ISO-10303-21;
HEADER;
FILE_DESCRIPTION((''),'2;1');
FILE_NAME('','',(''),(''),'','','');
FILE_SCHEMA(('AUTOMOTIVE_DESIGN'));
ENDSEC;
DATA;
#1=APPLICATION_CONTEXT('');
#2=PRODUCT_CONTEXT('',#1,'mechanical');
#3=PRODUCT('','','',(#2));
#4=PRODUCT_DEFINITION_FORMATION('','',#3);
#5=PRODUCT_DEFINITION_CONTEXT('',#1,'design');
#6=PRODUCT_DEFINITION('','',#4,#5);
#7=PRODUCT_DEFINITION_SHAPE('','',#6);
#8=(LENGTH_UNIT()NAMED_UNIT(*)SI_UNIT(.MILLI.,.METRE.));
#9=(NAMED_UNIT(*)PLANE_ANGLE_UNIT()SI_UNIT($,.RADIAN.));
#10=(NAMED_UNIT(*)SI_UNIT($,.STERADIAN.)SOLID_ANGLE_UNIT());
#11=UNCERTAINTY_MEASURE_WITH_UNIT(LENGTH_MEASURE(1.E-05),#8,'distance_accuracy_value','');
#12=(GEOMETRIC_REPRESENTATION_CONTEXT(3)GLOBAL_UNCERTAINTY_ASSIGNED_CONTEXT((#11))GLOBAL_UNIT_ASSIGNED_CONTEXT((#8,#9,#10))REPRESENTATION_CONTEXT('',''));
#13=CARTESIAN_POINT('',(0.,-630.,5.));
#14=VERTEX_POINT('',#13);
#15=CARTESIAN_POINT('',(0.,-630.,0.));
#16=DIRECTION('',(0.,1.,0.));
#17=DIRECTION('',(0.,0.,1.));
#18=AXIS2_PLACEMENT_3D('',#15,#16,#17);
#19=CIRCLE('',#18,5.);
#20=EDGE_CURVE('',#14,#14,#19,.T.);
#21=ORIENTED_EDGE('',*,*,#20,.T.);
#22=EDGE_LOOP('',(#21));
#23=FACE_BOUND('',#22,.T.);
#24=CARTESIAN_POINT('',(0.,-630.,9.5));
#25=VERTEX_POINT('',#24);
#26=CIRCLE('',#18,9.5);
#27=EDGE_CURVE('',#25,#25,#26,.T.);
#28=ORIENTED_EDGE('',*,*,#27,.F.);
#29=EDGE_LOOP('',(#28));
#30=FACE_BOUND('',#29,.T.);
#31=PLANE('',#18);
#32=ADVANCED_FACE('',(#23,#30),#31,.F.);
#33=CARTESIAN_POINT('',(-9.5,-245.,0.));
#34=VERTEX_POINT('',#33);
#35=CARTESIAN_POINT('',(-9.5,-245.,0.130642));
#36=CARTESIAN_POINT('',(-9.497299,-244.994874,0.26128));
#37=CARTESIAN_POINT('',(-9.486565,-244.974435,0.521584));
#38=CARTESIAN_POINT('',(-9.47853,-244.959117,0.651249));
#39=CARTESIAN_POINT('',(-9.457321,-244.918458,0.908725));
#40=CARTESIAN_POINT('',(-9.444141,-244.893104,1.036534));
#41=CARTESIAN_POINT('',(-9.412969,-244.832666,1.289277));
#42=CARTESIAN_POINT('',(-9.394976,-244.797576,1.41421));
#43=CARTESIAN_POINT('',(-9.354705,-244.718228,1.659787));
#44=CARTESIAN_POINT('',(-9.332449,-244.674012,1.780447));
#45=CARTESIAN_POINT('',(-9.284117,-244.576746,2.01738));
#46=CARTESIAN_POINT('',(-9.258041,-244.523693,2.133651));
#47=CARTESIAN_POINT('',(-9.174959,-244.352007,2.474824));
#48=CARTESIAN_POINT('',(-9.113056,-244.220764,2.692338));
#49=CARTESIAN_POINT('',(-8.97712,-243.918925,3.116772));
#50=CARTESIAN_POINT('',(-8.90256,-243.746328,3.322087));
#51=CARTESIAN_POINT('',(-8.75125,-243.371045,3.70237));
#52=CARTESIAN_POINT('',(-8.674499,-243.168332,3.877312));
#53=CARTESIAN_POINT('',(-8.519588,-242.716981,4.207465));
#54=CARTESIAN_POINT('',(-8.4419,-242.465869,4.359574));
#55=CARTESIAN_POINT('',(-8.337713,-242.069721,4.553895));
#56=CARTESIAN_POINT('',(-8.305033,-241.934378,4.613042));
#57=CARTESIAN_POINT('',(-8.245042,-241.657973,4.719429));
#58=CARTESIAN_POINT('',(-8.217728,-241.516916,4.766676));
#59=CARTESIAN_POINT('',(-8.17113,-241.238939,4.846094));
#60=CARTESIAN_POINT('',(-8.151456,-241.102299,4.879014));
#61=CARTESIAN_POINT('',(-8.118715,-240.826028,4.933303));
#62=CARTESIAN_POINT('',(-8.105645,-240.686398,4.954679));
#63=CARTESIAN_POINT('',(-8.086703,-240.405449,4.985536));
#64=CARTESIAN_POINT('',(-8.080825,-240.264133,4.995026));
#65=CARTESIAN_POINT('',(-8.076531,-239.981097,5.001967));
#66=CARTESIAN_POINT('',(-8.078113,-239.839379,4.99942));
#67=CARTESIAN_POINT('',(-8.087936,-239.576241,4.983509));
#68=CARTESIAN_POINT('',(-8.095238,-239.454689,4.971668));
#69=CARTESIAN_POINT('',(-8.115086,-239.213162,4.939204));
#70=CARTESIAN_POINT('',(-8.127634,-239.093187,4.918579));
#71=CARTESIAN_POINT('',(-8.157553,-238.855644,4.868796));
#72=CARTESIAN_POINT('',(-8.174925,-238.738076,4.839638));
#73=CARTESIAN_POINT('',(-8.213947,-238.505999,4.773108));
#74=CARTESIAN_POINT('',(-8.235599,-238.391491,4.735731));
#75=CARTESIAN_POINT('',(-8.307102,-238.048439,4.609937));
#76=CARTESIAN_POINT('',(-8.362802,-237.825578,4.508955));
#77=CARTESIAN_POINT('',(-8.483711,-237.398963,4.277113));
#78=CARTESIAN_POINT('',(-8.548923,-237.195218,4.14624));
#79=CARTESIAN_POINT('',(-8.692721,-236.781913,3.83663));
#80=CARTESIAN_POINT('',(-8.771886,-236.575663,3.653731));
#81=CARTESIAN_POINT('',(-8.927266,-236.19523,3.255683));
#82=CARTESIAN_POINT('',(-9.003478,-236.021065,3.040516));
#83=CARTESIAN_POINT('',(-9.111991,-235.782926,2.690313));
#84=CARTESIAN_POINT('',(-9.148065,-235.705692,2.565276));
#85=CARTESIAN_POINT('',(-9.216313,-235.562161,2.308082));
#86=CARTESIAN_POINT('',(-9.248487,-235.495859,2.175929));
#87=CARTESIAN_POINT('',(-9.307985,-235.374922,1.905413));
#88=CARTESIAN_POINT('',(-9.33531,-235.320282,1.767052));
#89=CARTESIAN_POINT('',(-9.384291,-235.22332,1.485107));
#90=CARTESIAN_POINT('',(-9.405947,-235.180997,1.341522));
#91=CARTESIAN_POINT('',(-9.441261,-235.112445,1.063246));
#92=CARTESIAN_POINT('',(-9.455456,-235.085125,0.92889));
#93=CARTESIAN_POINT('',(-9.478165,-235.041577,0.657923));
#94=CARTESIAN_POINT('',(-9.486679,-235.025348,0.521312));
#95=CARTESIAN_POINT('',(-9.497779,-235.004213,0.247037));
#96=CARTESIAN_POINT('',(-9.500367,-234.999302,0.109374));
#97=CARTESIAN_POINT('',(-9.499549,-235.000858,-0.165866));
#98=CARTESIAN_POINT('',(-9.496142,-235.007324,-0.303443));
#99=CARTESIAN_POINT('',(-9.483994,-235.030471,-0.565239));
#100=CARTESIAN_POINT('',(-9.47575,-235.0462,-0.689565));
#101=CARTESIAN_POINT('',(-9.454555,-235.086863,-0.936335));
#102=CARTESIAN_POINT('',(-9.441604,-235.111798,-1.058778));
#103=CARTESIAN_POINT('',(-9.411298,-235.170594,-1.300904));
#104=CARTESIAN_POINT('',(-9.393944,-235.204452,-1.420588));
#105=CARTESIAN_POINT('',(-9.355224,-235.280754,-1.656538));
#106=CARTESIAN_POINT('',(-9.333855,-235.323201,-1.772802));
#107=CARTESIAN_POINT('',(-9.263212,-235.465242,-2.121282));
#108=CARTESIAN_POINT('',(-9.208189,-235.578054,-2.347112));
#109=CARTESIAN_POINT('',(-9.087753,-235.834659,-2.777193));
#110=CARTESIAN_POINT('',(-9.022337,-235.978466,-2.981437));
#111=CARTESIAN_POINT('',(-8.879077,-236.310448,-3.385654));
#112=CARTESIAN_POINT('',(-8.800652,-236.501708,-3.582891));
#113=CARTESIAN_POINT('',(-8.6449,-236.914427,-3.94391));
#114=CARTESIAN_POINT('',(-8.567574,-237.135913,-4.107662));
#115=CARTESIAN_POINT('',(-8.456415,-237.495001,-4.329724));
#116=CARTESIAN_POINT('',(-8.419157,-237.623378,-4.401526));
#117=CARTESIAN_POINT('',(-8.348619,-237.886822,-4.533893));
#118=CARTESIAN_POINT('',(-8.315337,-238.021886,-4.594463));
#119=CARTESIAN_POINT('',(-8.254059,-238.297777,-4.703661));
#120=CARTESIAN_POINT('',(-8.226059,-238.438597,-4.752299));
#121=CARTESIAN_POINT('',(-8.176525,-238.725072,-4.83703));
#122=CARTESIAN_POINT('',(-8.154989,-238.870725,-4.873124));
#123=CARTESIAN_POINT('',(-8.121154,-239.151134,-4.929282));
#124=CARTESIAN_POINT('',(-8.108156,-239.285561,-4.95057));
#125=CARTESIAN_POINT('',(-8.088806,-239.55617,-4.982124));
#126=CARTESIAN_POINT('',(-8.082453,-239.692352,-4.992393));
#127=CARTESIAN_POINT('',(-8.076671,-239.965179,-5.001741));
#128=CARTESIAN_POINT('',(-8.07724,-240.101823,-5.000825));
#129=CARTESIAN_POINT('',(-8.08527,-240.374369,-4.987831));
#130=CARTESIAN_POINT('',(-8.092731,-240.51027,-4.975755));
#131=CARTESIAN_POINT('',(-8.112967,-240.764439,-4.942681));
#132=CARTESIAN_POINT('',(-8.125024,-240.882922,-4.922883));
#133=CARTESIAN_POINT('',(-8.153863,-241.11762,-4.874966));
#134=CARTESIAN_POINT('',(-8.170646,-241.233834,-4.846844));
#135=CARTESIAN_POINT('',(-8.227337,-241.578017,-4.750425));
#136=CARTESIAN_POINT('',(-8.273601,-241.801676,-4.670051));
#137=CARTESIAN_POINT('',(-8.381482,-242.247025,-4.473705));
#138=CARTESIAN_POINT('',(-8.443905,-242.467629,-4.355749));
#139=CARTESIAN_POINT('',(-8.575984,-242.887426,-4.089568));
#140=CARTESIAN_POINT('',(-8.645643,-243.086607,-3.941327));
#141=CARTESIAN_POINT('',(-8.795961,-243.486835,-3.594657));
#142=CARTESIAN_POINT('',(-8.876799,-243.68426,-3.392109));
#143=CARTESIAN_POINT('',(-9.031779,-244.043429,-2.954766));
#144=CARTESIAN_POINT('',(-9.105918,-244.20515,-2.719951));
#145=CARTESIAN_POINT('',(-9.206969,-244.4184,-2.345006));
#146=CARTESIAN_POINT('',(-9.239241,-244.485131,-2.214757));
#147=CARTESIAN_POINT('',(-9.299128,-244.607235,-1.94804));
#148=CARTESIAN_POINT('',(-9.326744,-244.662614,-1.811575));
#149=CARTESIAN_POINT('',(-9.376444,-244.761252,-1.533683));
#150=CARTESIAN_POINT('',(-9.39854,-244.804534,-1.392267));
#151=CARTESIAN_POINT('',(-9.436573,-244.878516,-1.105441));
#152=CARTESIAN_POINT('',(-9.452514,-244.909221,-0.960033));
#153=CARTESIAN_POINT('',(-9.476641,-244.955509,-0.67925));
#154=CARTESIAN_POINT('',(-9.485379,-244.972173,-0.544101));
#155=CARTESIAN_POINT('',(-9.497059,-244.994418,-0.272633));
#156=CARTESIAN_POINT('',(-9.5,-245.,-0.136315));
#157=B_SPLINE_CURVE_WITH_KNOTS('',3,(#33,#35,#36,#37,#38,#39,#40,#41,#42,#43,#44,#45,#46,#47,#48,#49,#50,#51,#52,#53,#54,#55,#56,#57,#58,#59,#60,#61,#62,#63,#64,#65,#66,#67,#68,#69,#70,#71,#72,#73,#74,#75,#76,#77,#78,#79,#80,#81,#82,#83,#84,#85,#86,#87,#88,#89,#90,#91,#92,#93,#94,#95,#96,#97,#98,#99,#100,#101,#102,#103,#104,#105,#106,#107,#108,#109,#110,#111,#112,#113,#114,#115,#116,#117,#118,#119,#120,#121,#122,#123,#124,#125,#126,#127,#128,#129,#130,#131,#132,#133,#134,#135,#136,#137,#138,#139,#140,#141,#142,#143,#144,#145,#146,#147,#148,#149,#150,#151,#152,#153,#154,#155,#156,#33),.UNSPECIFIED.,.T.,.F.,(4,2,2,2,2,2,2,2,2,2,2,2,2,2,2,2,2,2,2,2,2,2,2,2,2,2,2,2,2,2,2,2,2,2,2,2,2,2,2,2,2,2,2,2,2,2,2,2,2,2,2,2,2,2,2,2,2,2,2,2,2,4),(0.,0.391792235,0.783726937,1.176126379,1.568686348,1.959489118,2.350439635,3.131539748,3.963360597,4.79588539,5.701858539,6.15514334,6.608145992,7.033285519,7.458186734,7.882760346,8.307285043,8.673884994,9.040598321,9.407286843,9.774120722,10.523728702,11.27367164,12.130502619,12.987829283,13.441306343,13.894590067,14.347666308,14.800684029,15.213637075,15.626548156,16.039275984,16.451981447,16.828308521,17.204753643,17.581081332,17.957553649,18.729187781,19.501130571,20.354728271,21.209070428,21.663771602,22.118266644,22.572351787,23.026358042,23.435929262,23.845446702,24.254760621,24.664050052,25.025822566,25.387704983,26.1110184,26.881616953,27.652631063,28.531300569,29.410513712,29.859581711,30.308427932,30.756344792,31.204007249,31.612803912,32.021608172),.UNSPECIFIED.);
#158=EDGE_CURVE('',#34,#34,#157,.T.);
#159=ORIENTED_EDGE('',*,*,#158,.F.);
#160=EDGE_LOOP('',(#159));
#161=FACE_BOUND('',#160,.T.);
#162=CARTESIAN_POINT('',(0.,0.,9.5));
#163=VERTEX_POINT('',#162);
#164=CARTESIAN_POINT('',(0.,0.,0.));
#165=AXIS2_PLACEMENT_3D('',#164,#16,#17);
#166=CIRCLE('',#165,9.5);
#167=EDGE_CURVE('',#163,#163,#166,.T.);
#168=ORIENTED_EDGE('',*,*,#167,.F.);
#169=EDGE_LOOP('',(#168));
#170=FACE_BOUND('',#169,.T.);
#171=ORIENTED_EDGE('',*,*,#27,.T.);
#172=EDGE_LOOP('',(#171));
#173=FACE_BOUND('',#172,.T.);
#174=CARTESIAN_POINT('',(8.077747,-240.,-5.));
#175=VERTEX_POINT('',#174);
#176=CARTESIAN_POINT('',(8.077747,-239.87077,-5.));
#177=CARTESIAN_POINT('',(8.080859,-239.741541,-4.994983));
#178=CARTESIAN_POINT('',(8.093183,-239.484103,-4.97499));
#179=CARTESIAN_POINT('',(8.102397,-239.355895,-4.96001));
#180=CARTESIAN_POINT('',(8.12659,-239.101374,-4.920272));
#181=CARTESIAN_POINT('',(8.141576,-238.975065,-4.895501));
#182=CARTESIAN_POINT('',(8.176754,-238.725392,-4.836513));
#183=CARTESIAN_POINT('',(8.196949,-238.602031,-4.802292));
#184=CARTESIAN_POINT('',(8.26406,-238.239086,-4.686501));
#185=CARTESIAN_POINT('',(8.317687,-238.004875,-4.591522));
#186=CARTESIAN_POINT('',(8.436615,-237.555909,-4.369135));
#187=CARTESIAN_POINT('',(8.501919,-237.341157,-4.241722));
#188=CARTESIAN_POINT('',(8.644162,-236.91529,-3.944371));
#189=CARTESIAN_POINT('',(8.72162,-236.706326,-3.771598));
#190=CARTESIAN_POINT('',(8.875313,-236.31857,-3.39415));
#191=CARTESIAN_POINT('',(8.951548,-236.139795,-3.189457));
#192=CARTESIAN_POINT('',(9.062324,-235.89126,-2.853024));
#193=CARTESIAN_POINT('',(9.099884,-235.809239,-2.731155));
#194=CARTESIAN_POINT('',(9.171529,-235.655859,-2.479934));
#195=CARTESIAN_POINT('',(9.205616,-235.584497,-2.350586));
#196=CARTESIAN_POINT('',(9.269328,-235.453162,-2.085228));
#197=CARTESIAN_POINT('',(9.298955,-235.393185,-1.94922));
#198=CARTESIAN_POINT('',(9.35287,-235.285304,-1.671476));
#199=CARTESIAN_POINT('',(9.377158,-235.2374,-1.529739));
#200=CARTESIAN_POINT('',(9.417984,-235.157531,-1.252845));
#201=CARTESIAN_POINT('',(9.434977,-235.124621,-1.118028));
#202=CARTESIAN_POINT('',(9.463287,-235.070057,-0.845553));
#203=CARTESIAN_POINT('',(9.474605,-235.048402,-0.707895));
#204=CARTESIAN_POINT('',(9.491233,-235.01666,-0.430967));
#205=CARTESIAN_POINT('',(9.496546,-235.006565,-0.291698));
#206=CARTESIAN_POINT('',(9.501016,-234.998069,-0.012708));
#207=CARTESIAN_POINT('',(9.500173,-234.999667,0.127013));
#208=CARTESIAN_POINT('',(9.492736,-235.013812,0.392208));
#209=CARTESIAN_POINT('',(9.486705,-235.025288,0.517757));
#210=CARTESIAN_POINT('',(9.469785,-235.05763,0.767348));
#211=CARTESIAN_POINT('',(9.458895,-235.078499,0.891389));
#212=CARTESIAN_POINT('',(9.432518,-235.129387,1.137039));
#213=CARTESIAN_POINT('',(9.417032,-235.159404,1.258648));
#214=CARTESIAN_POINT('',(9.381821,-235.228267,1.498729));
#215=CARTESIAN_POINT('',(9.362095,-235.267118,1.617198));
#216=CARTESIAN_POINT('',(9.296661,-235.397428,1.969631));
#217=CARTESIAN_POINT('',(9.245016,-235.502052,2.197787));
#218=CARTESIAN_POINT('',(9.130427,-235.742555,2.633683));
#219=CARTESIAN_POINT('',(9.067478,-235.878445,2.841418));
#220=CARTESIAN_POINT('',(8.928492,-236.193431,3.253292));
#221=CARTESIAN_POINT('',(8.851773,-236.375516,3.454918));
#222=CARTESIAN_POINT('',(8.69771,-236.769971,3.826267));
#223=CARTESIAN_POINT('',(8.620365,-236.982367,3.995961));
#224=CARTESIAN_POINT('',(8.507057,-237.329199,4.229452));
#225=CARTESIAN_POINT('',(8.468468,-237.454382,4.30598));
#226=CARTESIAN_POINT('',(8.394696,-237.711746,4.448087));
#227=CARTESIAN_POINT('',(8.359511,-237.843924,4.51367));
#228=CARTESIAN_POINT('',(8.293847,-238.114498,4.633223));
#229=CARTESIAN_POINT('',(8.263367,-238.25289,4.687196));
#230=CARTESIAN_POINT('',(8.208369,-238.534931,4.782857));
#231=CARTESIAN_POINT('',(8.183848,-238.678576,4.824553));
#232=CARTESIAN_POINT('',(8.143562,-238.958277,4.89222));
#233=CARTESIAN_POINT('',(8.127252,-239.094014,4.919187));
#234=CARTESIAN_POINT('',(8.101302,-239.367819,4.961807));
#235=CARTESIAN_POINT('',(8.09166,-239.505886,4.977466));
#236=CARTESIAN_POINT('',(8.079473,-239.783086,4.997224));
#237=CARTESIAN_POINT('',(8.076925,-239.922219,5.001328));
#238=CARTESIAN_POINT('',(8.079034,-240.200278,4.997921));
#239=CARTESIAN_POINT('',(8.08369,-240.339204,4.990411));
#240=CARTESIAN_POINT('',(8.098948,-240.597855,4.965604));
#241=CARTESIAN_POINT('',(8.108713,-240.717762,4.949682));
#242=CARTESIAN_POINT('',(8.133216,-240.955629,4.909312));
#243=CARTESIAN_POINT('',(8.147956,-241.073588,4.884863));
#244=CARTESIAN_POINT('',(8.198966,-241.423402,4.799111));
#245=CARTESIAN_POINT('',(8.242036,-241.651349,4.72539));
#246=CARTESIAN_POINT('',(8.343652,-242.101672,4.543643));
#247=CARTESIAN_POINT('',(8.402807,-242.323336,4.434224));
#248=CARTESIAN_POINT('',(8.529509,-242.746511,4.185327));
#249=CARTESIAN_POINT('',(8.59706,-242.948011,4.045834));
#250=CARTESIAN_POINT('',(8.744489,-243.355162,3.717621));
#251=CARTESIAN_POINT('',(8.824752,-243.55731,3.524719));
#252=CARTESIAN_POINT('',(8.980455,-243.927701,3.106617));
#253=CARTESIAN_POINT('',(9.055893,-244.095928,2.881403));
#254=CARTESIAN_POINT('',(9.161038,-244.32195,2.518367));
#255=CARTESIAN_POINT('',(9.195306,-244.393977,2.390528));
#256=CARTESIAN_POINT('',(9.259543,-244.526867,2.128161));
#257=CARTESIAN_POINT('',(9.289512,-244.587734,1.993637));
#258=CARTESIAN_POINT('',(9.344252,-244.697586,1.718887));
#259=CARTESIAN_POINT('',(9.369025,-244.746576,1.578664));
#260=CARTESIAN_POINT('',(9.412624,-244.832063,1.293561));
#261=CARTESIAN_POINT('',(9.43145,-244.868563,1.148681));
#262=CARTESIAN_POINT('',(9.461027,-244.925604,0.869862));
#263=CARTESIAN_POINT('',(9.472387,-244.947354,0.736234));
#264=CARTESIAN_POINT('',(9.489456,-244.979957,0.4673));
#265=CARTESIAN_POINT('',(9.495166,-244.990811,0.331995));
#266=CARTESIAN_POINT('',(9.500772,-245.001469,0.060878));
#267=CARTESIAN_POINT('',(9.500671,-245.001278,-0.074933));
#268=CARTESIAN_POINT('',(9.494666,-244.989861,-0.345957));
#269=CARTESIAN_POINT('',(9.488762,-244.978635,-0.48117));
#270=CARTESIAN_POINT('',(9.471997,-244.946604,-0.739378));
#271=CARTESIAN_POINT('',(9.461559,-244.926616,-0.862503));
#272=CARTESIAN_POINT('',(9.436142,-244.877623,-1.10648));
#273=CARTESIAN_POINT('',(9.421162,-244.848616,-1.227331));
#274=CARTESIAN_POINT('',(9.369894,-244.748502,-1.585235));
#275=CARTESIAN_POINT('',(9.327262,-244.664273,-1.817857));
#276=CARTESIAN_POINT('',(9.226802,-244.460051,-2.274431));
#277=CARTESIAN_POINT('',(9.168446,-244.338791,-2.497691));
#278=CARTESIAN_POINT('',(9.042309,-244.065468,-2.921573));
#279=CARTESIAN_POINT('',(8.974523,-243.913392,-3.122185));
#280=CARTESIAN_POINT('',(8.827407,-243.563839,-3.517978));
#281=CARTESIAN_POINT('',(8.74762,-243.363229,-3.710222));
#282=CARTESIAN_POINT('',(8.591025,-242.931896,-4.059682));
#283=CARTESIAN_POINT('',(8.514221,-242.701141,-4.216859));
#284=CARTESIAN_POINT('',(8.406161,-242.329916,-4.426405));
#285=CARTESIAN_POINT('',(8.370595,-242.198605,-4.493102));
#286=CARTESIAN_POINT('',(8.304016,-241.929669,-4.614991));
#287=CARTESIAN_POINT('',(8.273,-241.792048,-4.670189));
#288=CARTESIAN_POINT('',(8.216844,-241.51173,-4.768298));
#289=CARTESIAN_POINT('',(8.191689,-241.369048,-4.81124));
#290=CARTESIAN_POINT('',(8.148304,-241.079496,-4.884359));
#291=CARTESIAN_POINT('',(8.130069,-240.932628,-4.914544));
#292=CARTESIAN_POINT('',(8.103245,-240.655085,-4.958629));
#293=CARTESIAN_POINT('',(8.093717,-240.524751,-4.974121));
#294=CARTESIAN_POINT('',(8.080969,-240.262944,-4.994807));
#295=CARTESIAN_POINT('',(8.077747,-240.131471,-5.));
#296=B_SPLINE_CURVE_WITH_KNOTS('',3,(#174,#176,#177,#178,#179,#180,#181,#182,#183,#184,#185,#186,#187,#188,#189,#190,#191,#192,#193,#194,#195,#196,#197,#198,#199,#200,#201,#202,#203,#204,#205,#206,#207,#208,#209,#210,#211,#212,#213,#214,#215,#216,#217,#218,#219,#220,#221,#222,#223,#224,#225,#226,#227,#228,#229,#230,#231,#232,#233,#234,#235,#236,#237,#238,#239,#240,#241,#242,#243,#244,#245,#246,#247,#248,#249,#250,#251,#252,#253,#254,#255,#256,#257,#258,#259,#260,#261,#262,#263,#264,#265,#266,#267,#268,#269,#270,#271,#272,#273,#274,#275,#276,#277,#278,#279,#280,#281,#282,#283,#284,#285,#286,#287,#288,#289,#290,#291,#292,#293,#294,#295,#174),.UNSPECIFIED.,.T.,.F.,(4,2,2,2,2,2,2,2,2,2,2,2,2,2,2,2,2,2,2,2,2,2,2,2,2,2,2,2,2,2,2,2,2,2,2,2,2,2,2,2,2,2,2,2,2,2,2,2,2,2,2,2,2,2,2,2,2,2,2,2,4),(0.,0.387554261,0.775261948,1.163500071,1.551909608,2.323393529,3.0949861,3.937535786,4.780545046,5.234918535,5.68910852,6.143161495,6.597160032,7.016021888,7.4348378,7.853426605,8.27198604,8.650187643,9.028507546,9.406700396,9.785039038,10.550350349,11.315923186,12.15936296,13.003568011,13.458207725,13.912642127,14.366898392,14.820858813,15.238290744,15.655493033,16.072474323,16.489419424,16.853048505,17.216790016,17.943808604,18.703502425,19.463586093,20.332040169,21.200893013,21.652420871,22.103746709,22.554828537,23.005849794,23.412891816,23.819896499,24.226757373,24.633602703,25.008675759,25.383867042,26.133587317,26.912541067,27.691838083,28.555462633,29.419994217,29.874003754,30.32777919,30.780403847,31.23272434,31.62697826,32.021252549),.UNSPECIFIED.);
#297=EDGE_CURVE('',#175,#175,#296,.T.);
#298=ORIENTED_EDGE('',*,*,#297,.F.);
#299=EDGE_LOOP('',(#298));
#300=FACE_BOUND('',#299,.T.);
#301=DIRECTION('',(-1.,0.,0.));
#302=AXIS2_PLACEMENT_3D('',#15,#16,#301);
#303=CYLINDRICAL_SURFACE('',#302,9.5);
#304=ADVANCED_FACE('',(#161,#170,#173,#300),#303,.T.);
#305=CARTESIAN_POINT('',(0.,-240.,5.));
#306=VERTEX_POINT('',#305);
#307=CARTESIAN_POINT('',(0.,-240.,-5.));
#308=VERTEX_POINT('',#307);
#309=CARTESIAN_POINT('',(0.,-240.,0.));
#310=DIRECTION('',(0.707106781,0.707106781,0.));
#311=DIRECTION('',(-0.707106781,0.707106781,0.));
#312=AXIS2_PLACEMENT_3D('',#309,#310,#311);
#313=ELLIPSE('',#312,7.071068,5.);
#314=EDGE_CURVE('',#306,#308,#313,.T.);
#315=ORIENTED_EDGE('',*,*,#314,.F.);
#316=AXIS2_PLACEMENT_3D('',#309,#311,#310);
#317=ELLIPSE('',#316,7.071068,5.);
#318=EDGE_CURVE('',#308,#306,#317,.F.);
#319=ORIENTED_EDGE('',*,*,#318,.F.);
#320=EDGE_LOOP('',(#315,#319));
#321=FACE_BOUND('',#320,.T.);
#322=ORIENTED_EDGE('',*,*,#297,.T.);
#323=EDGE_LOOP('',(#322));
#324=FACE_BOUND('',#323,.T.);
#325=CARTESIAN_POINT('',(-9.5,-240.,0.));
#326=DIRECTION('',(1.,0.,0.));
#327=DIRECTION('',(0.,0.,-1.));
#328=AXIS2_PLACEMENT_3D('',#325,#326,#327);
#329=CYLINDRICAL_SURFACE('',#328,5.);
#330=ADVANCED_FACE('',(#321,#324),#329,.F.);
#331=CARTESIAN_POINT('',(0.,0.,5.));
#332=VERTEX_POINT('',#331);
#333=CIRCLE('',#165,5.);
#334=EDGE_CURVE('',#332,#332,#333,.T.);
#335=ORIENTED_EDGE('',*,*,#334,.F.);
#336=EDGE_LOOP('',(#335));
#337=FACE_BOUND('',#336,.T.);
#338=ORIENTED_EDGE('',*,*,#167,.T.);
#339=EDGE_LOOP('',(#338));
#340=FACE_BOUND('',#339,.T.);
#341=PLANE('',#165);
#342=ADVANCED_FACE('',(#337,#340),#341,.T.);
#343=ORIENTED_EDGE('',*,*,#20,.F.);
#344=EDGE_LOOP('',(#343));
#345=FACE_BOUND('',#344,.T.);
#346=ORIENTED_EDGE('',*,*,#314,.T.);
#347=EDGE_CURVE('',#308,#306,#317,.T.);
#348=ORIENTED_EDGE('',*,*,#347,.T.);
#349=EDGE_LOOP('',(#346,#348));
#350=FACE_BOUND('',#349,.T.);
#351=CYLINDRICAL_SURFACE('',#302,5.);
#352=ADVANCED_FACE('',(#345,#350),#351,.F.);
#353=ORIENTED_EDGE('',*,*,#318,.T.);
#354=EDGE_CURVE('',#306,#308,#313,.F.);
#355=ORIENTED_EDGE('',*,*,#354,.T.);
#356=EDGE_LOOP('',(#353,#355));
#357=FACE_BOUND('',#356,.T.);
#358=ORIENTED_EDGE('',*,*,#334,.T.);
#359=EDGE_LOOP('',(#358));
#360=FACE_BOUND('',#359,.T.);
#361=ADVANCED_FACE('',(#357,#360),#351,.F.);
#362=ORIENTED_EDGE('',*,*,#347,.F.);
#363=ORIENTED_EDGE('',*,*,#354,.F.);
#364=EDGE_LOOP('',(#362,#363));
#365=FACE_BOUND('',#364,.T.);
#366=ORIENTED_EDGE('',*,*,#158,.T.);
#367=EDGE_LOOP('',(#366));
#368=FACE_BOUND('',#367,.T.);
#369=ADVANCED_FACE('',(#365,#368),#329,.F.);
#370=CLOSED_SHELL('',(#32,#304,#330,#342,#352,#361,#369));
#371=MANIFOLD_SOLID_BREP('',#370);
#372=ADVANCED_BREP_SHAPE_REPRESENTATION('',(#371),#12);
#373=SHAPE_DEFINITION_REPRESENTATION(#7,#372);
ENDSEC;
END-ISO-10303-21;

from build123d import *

# Parameters (mm, degrees)
SKETCH_2_R               = 9.5
SKETCH_2_R_2             = 5
CUT_EXTRUDE_1_DEPTH      = 631.143237685
CUT_EXTRUDE_1_DEPTH_BACK = 631.143237685
SKETCH_3_R               = 5


with BuildPart() as part:
    # По траектории1: sweep along a path in Эскиз1
    with BuildLine(Plane.XY) as sweep_1_path:
        Line((0, 0), (0, -630))
    # Эскиз2 → По траектории1 (sweep)
    with BuildSketch(Plane(origin=(0, 0, 0), x_dir=(1, 0, 0), z_dir=(0, 1, 0))):
        Circle(SKETCH_2_R)
        Circle(SKETCH_2_R_2, mode=Mode.SUBTRACT)
    sweep(path=sweep_1_path.line)

    # Эскиз3 → Вырез-Вытянуть1 (cut, two sides: drawn at the far end of the back side and taken through both)
    with BuildSketch(Plane(origin=(0, 0, 0), x_dir=(0, 0, -1), z_dir=(1, 0, 0)).offset(-CUT_EXTRUDE_1_DEPTH_BACK)):
        with Locations((0, -240)):
            Circle(SKETCH_3_R)
    extrude(amount=CUT_EXTRUDE_1_DEPTH + CUT_EXTRUDE_1_DEPTH_BACK, mode=Mode.SUBTRACT)


solid = part.part
